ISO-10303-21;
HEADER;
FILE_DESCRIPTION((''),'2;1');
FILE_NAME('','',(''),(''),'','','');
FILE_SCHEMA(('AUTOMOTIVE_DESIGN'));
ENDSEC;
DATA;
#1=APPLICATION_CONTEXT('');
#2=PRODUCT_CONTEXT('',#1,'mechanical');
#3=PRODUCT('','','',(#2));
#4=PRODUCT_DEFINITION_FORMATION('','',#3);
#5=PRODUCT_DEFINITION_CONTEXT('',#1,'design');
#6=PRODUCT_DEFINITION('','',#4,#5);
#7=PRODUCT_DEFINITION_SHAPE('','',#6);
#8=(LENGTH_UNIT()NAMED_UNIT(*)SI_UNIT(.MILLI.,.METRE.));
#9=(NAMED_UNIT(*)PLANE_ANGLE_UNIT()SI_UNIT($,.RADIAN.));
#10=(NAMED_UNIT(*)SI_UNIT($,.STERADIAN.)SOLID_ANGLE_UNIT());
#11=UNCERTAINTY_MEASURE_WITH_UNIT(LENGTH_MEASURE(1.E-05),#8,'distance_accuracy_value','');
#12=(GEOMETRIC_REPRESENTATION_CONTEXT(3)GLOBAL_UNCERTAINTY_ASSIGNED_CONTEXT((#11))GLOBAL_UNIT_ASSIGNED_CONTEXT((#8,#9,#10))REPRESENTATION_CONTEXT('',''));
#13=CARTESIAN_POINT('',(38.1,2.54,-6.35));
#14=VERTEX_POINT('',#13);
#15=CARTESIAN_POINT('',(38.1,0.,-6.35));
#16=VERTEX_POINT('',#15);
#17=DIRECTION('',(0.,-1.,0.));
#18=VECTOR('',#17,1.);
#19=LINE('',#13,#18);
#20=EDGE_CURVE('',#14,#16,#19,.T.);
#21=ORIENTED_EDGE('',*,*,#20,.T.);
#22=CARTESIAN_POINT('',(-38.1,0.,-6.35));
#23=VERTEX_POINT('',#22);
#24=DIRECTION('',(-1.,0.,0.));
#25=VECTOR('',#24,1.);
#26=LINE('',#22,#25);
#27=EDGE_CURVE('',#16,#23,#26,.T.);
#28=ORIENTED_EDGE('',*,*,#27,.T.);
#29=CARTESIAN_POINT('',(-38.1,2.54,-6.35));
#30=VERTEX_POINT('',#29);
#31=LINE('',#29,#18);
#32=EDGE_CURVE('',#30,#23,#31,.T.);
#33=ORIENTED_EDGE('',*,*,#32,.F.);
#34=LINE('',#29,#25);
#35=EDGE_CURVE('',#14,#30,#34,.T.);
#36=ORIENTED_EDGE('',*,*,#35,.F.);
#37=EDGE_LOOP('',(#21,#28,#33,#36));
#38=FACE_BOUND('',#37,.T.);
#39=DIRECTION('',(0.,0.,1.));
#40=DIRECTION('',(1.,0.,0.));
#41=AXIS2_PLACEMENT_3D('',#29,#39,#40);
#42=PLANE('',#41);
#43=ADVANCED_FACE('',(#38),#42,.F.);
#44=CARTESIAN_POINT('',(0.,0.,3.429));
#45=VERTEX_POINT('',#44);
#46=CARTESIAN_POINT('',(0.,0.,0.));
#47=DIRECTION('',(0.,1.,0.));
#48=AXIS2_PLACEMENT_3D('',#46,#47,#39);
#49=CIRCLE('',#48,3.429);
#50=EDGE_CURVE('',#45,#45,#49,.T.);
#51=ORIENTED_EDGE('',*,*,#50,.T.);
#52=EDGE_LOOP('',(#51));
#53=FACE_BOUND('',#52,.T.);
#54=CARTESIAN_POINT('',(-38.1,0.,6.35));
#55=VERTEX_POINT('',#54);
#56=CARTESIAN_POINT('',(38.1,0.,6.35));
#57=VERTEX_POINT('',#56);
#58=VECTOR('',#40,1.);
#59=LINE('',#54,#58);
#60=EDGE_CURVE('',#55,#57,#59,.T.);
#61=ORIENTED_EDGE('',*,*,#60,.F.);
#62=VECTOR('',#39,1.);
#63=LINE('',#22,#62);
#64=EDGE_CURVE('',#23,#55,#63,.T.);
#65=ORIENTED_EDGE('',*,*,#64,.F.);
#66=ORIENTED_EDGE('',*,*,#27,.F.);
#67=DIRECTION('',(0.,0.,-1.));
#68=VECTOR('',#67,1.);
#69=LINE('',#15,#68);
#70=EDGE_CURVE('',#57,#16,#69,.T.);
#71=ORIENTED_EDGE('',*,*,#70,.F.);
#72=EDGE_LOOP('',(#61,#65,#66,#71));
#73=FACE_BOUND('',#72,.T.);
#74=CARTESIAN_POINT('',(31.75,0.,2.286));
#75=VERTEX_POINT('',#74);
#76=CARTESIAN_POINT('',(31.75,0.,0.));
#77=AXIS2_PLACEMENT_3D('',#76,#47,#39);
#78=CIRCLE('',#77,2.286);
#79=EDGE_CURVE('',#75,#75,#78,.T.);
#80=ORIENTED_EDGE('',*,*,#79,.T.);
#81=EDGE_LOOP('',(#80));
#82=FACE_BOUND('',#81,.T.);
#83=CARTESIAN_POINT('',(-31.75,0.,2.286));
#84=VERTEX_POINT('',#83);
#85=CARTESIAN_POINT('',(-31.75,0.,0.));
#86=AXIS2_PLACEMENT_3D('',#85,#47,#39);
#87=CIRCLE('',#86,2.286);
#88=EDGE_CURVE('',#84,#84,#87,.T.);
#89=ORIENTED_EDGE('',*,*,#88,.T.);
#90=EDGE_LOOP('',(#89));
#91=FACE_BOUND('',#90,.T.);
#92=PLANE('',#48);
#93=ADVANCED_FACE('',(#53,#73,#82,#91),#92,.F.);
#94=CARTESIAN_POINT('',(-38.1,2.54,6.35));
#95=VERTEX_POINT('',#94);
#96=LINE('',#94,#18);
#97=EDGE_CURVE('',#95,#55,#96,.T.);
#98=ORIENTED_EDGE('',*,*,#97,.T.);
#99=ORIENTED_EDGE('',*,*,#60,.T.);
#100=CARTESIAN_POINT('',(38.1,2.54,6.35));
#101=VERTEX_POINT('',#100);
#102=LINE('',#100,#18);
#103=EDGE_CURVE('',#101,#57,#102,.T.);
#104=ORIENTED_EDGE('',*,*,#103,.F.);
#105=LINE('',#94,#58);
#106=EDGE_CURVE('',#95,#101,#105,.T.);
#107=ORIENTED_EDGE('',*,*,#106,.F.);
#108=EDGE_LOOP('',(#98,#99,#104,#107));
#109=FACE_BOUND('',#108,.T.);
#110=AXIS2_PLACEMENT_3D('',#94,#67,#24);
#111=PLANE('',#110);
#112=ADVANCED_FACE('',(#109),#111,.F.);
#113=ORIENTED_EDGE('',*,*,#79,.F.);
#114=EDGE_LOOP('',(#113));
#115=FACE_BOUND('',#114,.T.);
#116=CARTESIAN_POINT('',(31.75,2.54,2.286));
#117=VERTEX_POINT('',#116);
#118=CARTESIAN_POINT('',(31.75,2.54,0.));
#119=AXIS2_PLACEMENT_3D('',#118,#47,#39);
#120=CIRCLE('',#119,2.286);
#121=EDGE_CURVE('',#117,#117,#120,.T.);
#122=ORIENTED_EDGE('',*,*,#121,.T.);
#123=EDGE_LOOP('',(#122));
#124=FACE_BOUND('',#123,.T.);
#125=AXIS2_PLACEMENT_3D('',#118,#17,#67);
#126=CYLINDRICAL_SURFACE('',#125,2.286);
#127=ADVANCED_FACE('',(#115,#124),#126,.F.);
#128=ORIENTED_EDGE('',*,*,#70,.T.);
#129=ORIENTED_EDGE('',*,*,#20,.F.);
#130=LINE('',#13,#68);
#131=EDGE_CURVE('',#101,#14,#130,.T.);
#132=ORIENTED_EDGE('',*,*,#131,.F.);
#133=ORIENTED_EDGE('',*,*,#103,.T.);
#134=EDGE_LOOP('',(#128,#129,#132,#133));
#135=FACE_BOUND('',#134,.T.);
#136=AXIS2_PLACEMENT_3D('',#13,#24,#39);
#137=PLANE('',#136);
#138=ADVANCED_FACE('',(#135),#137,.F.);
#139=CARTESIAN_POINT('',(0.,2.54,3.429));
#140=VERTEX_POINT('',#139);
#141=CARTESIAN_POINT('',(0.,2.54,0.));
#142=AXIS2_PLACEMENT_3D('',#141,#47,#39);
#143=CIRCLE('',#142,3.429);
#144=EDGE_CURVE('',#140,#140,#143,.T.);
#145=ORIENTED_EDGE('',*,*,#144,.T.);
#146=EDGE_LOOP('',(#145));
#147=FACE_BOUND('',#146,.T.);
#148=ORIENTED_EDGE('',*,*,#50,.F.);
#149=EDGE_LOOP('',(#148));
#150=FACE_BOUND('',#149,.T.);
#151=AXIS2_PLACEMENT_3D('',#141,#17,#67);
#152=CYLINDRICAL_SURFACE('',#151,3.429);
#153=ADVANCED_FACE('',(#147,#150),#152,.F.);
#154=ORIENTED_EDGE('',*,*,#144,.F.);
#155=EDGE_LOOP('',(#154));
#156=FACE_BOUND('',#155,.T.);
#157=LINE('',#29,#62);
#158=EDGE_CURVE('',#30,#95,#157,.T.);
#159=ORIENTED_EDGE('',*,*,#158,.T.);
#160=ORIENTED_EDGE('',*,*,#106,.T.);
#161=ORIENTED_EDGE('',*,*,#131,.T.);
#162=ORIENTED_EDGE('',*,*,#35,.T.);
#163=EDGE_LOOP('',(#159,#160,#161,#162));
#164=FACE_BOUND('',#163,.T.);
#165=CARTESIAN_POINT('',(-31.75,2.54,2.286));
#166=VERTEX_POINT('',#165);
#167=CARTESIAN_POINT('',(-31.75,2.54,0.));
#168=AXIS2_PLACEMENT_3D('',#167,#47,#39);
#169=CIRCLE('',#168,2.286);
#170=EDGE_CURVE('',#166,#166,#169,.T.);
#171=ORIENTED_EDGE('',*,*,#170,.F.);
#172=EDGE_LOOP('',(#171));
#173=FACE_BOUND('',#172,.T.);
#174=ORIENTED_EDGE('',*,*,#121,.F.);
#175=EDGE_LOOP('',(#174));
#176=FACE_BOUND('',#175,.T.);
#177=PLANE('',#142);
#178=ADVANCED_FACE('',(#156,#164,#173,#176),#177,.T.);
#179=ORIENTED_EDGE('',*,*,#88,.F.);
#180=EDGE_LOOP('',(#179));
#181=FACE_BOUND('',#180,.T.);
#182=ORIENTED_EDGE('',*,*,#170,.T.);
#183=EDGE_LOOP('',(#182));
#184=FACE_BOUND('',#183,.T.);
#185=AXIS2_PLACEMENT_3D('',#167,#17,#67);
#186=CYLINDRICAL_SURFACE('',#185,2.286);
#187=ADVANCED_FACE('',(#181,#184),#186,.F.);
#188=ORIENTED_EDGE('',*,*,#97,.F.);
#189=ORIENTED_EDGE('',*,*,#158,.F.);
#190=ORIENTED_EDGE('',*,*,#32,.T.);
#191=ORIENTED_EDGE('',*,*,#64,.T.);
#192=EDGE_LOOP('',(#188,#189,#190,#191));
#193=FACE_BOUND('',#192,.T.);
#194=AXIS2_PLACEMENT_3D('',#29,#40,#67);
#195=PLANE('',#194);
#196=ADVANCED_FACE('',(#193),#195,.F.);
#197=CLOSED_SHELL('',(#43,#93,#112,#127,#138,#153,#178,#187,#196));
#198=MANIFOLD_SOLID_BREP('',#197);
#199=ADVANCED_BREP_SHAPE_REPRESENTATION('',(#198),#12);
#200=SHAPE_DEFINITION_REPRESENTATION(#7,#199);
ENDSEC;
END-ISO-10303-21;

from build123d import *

# Parameters (mm, degrees)
SKETCH1_W           = 76.2
SKETCH1_H           = 12.7
SKETCH1_R           = 3.429
SKETCH1_R_2         = 2.286
BOSS_EXTRUDE1_DEPTH = 2.54


with BuildPart() as part:
    # Sketch1 → Boss-Extrude1 (new body)
    with BuildSketch(Plane(origin=(0, 0, 0), x_dir=(1, 0, 0), z_dir=(0, 1, 0))):
        Rectangle(SKETCH1_W, SKETCH1_H)
        with Locations(Location((0, 0, 0), (0, 0, 270))):
            Circle(SKETCH1_R, mode=Mode.SUBTRACT)
        with Locations(Location((31.75, 0, 0), (0, 0, 270))):
            Circle(SKETCH1_R_2, mode=Mode.SUBTRACT)
        with Locations(Location((-31.75, 0, 0), (0, 0, 270))):
            Circle(SKETCH1_R_2, mode=Mode.SUBTRACT)
    extrude(amount=BOSS_EXTRUDE1_DEPTH)


solid = part.part
